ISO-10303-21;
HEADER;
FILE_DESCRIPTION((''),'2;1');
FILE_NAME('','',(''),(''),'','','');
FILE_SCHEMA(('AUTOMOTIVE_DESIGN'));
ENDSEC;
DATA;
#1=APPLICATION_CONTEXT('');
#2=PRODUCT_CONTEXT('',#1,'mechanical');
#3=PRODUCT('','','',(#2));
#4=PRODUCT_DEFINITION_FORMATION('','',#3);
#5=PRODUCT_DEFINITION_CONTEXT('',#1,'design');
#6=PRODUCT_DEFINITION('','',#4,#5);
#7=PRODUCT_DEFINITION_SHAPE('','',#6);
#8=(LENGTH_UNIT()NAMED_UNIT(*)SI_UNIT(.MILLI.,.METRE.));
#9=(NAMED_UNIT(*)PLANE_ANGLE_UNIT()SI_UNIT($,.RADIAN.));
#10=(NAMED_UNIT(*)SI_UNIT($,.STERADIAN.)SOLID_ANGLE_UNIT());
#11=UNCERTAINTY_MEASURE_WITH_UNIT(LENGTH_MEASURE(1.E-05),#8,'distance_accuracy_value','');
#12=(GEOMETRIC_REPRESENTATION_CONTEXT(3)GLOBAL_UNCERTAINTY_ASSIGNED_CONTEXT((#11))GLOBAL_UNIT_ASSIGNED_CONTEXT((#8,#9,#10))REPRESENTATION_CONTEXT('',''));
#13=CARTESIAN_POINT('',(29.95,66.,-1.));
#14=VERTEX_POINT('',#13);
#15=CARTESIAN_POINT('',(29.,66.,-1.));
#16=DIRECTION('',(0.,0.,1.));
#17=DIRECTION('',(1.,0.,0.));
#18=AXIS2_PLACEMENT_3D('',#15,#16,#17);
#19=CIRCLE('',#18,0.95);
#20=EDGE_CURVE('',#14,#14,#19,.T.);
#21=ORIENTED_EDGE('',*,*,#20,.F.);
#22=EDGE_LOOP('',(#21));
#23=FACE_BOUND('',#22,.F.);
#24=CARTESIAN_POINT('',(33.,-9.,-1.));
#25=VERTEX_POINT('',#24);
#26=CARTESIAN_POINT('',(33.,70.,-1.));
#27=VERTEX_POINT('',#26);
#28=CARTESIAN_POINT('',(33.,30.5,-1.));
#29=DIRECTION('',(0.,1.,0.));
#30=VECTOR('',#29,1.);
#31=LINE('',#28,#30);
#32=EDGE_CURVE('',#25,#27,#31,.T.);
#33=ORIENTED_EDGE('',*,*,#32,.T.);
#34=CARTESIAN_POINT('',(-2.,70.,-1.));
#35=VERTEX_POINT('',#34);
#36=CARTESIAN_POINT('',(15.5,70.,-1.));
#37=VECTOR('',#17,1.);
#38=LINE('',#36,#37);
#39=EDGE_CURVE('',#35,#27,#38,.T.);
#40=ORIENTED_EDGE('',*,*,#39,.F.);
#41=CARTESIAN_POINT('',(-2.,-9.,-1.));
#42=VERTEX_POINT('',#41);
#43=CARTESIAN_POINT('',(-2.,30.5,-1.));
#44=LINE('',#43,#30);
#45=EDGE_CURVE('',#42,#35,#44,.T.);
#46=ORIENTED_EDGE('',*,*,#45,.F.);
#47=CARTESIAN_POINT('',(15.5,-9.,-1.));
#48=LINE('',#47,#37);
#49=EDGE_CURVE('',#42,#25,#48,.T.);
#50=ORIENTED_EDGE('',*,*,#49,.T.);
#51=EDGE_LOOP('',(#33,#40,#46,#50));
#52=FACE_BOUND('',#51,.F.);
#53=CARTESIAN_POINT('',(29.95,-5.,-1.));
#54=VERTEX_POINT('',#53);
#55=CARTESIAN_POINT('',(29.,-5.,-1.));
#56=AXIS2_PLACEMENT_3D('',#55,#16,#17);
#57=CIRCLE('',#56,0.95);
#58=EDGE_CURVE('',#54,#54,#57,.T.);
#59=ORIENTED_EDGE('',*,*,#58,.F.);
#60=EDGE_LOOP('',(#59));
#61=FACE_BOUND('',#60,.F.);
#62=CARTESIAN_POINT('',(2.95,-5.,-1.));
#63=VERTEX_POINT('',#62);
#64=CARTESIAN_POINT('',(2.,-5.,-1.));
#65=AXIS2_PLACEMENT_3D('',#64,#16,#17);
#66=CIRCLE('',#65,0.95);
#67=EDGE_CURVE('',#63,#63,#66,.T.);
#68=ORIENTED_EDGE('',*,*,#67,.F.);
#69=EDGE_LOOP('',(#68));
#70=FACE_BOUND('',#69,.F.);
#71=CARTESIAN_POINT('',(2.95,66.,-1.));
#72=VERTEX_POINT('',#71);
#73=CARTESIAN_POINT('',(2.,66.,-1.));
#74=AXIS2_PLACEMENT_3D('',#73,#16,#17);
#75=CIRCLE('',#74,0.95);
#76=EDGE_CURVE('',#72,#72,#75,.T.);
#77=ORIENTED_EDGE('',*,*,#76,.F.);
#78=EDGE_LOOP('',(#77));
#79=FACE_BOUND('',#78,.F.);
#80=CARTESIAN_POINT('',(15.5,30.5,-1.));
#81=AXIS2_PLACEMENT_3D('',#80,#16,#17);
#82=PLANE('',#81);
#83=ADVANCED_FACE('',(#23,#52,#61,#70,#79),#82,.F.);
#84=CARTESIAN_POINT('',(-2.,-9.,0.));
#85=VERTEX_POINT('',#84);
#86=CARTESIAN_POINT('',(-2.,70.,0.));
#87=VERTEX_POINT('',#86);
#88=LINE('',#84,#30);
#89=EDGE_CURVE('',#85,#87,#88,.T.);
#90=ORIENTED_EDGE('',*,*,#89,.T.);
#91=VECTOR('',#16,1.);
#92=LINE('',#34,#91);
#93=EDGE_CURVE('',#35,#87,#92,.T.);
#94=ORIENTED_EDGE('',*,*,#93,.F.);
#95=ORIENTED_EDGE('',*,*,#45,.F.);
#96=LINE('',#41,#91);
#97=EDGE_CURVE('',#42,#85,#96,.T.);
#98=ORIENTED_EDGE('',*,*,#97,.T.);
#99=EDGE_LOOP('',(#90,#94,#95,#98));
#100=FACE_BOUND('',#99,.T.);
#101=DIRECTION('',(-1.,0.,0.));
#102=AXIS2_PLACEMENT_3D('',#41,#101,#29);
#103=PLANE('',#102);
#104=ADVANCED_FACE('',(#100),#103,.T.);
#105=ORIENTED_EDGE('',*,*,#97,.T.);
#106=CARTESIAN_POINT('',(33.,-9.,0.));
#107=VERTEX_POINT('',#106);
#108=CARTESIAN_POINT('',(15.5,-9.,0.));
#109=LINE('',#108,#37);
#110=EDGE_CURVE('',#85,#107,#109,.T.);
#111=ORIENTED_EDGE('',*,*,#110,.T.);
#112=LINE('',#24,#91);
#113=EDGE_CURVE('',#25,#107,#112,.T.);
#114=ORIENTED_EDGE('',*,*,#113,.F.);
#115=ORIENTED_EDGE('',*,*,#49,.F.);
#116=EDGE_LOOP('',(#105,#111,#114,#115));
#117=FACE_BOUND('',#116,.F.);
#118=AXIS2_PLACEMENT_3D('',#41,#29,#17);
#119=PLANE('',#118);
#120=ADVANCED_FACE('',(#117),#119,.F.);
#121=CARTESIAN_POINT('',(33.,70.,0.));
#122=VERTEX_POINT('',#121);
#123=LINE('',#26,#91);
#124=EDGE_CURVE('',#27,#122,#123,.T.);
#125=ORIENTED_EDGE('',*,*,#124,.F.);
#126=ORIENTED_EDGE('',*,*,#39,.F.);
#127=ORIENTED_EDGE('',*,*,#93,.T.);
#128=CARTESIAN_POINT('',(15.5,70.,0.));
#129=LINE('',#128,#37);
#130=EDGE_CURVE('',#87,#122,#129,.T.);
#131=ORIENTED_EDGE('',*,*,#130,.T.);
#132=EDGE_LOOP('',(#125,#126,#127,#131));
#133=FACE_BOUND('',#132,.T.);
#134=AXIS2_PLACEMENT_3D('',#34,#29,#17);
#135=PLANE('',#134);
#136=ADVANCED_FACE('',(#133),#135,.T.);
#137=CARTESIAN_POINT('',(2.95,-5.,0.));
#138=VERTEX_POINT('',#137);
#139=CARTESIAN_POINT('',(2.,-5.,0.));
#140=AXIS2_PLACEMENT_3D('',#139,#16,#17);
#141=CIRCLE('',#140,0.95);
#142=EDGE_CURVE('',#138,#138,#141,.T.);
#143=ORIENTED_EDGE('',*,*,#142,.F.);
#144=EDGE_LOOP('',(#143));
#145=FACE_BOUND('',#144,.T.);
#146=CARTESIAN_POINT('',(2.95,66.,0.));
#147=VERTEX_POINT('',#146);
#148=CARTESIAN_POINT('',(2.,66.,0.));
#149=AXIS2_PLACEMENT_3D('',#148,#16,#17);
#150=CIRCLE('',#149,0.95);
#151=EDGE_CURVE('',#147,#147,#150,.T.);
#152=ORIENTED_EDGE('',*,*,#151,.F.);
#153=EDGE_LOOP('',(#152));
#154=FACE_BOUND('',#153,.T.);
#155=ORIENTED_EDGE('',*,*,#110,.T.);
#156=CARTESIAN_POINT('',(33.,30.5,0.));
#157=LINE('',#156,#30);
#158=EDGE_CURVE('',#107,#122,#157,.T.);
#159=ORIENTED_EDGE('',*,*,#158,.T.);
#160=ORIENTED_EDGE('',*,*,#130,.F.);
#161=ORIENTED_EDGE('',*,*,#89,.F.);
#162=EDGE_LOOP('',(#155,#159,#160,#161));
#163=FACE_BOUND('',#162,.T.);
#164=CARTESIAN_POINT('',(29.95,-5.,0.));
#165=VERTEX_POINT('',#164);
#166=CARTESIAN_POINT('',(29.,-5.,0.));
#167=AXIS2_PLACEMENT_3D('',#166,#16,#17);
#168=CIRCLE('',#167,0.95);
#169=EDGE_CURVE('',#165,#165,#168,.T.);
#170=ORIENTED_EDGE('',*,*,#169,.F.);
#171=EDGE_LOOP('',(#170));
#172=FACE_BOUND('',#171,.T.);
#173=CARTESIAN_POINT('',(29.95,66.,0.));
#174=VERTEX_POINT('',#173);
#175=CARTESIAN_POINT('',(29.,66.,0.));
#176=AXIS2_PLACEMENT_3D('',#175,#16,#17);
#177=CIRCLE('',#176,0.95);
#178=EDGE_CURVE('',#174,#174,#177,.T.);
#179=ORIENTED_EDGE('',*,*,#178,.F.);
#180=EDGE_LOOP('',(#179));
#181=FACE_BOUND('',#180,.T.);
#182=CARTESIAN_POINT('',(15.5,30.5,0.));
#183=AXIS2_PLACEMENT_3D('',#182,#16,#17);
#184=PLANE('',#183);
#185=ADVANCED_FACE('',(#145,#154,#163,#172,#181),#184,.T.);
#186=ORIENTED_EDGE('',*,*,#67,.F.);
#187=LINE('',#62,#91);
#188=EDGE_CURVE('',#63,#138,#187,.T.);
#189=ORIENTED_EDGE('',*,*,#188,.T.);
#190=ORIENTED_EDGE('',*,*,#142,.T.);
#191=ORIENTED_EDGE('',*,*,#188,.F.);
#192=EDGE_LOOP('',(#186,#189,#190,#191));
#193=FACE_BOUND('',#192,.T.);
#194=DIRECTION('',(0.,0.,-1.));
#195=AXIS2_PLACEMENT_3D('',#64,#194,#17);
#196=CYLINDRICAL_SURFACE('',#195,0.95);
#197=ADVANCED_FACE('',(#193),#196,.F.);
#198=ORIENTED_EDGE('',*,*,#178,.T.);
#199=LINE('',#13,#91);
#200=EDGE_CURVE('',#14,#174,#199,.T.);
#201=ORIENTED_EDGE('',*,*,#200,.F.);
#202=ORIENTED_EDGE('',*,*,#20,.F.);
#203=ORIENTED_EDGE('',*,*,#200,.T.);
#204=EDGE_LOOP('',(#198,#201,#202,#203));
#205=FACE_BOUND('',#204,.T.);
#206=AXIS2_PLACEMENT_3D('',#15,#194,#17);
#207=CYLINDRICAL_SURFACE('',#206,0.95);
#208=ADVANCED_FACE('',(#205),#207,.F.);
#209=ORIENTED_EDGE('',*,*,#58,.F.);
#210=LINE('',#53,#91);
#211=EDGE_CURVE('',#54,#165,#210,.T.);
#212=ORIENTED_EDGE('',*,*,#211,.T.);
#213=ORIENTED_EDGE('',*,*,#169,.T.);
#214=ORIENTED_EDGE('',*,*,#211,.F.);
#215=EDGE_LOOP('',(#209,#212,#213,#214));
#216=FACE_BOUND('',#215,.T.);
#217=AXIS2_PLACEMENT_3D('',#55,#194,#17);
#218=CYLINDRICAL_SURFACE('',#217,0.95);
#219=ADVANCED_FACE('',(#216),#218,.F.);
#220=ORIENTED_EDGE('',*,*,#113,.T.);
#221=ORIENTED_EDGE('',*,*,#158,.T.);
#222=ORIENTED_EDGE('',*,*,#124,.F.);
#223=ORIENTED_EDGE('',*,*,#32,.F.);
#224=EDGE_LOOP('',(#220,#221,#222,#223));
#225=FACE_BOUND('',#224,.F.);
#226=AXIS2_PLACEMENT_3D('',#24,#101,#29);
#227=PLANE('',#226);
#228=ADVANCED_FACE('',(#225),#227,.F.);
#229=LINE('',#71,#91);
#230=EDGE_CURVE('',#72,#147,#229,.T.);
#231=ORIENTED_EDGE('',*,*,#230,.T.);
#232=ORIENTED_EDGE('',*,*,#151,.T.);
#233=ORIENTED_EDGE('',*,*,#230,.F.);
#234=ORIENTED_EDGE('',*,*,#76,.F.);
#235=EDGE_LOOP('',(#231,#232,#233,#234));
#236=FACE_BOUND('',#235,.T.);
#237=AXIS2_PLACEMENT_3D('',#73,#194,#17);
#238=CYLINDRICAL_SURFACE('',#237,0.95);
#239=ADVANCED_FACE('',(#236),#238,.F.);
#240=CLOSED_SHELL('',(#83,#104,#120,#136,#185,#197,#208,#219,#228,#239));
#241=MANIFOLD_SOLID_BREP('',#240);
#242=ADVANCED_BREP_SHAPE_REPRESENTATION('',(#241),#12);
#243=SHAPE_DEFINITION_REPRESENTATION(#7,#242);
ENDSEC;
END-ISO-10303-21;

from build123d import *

# Parameters (mm, degrees)
SKETCH010_W      = 4
SKETCH010_H      = 5
EXTRUDE008_DEPTH = 4
SKETCH006_W      = 35
SKETCH006_H      = 79
SKETCH006_R      = 0.95
EXTRUDE004_DEPTH = 1


with BuildPart() as led005:
    # Sketch010 → Extrude008 (new body)
    with BuildSketch(Plane(origin=(-3, 0, 0), x_dir=(0, -1, 0), z_dir=(-1, 0, 0))):
        with Locations((-5, 2.5)):
            Rectangle(SKETCH010_W, SKETCH010_H)
    extrude(amount=-EXTRUDE008_DEPTH)


with BuildPart() as cut004:
    # Sketch006 → Extrude004 (new body)
    with BuildSketch(Plane.XY.offset(-1)):
        with Locations((15.5, 30.5)):
            Rectangle(SKETCH006_W, SKETCH006_H)
        with Locations((2, -5)):
            Circle(SKETCH006_R, mode=Mode.SUBTRACT)
        with Locations((29, -5)):
            Circle(SKETCH006_R, mode=Mode.SUBTRACT)
        with Locations((2, 66)):
            Circle(SKETCH006_R, mode=Mode.SUBTRACT)
        with Locations((29, 66)):
            Circle(SKETCH006_R, mode=Mode.SUBTRACT)
    extrude(amount=EXTRUDE004_DEPTH)

    # Cut004: cut led005
    add(led005.part, mode=Mode.SUBTRACT)


solid = cut004.part
